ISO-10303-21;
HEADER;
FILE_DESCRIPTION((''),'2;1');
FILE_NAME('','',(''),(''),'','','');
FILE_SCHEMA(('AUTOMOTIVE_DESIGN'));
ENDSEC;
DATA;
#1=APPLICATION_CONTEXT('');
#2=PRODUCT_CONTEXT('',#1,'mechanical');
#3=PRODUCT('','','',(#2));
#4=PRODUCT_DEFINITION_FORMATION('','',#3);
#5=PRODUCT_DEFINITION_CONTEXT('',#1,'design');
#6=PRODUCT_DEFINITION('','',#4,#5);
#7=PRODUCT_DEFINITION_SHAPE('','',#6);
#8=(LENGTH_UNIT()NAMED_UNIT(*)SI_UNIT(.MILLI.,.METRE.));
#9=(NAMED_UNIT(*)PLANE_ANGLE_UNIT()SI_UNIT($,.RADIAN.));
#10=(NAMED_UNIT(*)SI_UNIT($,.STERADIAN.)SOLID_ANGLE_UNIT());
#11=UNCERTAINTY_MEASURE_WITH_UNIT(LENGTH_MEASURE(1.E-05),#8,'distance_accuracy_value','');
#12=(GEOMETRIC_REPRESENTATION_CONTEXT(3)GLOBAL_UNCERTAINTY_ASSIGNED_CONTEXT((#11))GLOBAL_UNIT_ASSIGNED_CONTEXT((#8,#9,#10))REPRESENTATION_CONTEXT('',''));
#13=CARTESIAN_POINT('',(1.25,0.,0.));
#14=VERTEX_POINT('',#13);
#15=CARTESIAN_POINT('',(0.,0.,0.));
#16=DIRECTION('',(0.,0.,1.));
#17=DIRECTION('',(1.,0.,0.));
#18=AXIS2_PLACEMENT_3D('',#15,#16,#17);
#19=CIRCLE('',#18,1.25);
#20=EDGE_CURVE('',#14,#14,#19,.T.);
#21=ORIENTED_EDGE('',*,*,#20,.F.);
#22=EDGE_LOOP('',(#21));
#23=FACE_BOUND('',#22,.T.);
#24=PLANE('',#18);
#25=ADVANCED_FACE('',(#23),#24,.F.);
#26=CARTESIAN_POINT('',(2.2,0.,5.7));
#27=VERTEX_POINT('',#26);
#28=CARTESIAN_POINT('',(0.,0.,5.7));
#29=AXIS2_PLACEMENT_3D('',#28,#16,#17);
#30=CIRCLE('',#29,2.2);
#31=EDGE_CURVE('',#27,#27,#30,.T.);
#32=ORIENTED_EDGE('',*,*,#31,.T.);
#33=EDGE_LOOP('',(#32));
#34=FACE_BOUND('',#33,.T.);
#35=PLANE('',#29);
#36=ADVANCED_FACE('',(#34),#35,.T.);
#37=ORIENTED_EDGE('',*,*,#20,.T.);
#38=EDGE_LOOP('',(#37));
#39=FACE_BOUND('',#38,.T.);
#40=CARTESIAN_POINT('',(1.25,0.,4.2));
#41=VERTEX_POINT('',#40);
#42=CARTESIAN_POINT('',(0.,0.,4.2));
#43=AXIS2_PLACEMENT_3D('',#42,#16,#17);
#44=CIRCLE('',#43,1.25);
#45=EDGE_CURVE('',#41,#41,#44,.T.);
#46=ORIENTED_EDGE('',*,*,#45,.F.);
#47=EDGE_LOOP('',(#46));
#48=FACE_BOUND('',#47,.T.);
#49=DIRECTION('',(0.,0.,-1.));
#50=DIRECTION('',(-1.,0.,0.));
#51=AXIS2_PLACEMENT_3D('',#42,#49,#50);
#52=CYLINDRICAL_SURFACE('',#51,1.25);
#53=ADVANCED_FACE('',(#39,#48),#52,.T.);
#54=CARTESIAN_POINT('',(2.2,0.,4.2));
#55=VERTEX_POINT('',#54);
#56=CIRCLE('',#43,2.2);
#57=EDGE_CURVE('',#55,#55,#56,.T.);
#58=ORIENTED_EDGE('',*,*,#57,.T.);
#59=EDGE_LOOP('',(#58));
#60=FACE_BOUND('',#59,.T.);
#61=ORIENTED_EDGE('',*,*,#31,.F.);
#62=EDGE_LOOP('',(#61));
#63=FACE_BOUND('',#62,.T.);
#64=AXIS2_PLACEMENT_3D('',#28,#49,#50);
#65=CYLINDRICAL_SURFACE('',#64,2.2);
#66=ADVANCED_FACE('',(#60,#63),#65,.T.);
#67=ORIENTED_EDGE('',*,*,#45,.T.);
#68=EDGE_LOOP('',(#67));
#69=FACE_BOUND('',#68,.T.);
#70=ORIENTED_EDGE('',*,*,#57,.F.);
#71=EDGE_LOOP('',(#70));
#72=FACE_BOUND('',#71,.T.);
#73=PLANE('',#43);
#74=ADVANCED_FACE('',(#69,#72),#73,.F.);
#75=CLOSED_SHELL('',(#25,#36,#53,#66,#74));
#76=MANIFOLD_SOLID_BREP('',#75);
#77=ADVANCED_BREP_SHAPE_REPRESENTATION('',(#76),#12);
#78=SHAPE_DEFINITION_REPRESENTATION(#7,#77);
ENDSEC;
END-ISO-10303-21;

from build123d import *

# Parameters (mm, degrees)
SKETCH_1_R        = 1.25
M2P5_DEPTH        = 4.2
EXTRUDE_START     = 4.2
SKETCH_2_R        = 2.2
EXTRUDE_265_DEPTH = 1.5


with BuildPart() as part:
    # 草图1 → M2p5转轴简化杆 (new body)
    with BuildSketch(Plane.XY):
        Circle(SKETCH_1_R)
    extrude(amount=M2P5_DEPTH)

    # 草图2 → Extrude 265 (add)
    with BuildSketch(Plane.XY.offset(EXTRUDE_START)):
        Circle(SKETCH_2_R)
    extrude(amount=EXTRUDE_265_DEPTH)


solid = part.part
